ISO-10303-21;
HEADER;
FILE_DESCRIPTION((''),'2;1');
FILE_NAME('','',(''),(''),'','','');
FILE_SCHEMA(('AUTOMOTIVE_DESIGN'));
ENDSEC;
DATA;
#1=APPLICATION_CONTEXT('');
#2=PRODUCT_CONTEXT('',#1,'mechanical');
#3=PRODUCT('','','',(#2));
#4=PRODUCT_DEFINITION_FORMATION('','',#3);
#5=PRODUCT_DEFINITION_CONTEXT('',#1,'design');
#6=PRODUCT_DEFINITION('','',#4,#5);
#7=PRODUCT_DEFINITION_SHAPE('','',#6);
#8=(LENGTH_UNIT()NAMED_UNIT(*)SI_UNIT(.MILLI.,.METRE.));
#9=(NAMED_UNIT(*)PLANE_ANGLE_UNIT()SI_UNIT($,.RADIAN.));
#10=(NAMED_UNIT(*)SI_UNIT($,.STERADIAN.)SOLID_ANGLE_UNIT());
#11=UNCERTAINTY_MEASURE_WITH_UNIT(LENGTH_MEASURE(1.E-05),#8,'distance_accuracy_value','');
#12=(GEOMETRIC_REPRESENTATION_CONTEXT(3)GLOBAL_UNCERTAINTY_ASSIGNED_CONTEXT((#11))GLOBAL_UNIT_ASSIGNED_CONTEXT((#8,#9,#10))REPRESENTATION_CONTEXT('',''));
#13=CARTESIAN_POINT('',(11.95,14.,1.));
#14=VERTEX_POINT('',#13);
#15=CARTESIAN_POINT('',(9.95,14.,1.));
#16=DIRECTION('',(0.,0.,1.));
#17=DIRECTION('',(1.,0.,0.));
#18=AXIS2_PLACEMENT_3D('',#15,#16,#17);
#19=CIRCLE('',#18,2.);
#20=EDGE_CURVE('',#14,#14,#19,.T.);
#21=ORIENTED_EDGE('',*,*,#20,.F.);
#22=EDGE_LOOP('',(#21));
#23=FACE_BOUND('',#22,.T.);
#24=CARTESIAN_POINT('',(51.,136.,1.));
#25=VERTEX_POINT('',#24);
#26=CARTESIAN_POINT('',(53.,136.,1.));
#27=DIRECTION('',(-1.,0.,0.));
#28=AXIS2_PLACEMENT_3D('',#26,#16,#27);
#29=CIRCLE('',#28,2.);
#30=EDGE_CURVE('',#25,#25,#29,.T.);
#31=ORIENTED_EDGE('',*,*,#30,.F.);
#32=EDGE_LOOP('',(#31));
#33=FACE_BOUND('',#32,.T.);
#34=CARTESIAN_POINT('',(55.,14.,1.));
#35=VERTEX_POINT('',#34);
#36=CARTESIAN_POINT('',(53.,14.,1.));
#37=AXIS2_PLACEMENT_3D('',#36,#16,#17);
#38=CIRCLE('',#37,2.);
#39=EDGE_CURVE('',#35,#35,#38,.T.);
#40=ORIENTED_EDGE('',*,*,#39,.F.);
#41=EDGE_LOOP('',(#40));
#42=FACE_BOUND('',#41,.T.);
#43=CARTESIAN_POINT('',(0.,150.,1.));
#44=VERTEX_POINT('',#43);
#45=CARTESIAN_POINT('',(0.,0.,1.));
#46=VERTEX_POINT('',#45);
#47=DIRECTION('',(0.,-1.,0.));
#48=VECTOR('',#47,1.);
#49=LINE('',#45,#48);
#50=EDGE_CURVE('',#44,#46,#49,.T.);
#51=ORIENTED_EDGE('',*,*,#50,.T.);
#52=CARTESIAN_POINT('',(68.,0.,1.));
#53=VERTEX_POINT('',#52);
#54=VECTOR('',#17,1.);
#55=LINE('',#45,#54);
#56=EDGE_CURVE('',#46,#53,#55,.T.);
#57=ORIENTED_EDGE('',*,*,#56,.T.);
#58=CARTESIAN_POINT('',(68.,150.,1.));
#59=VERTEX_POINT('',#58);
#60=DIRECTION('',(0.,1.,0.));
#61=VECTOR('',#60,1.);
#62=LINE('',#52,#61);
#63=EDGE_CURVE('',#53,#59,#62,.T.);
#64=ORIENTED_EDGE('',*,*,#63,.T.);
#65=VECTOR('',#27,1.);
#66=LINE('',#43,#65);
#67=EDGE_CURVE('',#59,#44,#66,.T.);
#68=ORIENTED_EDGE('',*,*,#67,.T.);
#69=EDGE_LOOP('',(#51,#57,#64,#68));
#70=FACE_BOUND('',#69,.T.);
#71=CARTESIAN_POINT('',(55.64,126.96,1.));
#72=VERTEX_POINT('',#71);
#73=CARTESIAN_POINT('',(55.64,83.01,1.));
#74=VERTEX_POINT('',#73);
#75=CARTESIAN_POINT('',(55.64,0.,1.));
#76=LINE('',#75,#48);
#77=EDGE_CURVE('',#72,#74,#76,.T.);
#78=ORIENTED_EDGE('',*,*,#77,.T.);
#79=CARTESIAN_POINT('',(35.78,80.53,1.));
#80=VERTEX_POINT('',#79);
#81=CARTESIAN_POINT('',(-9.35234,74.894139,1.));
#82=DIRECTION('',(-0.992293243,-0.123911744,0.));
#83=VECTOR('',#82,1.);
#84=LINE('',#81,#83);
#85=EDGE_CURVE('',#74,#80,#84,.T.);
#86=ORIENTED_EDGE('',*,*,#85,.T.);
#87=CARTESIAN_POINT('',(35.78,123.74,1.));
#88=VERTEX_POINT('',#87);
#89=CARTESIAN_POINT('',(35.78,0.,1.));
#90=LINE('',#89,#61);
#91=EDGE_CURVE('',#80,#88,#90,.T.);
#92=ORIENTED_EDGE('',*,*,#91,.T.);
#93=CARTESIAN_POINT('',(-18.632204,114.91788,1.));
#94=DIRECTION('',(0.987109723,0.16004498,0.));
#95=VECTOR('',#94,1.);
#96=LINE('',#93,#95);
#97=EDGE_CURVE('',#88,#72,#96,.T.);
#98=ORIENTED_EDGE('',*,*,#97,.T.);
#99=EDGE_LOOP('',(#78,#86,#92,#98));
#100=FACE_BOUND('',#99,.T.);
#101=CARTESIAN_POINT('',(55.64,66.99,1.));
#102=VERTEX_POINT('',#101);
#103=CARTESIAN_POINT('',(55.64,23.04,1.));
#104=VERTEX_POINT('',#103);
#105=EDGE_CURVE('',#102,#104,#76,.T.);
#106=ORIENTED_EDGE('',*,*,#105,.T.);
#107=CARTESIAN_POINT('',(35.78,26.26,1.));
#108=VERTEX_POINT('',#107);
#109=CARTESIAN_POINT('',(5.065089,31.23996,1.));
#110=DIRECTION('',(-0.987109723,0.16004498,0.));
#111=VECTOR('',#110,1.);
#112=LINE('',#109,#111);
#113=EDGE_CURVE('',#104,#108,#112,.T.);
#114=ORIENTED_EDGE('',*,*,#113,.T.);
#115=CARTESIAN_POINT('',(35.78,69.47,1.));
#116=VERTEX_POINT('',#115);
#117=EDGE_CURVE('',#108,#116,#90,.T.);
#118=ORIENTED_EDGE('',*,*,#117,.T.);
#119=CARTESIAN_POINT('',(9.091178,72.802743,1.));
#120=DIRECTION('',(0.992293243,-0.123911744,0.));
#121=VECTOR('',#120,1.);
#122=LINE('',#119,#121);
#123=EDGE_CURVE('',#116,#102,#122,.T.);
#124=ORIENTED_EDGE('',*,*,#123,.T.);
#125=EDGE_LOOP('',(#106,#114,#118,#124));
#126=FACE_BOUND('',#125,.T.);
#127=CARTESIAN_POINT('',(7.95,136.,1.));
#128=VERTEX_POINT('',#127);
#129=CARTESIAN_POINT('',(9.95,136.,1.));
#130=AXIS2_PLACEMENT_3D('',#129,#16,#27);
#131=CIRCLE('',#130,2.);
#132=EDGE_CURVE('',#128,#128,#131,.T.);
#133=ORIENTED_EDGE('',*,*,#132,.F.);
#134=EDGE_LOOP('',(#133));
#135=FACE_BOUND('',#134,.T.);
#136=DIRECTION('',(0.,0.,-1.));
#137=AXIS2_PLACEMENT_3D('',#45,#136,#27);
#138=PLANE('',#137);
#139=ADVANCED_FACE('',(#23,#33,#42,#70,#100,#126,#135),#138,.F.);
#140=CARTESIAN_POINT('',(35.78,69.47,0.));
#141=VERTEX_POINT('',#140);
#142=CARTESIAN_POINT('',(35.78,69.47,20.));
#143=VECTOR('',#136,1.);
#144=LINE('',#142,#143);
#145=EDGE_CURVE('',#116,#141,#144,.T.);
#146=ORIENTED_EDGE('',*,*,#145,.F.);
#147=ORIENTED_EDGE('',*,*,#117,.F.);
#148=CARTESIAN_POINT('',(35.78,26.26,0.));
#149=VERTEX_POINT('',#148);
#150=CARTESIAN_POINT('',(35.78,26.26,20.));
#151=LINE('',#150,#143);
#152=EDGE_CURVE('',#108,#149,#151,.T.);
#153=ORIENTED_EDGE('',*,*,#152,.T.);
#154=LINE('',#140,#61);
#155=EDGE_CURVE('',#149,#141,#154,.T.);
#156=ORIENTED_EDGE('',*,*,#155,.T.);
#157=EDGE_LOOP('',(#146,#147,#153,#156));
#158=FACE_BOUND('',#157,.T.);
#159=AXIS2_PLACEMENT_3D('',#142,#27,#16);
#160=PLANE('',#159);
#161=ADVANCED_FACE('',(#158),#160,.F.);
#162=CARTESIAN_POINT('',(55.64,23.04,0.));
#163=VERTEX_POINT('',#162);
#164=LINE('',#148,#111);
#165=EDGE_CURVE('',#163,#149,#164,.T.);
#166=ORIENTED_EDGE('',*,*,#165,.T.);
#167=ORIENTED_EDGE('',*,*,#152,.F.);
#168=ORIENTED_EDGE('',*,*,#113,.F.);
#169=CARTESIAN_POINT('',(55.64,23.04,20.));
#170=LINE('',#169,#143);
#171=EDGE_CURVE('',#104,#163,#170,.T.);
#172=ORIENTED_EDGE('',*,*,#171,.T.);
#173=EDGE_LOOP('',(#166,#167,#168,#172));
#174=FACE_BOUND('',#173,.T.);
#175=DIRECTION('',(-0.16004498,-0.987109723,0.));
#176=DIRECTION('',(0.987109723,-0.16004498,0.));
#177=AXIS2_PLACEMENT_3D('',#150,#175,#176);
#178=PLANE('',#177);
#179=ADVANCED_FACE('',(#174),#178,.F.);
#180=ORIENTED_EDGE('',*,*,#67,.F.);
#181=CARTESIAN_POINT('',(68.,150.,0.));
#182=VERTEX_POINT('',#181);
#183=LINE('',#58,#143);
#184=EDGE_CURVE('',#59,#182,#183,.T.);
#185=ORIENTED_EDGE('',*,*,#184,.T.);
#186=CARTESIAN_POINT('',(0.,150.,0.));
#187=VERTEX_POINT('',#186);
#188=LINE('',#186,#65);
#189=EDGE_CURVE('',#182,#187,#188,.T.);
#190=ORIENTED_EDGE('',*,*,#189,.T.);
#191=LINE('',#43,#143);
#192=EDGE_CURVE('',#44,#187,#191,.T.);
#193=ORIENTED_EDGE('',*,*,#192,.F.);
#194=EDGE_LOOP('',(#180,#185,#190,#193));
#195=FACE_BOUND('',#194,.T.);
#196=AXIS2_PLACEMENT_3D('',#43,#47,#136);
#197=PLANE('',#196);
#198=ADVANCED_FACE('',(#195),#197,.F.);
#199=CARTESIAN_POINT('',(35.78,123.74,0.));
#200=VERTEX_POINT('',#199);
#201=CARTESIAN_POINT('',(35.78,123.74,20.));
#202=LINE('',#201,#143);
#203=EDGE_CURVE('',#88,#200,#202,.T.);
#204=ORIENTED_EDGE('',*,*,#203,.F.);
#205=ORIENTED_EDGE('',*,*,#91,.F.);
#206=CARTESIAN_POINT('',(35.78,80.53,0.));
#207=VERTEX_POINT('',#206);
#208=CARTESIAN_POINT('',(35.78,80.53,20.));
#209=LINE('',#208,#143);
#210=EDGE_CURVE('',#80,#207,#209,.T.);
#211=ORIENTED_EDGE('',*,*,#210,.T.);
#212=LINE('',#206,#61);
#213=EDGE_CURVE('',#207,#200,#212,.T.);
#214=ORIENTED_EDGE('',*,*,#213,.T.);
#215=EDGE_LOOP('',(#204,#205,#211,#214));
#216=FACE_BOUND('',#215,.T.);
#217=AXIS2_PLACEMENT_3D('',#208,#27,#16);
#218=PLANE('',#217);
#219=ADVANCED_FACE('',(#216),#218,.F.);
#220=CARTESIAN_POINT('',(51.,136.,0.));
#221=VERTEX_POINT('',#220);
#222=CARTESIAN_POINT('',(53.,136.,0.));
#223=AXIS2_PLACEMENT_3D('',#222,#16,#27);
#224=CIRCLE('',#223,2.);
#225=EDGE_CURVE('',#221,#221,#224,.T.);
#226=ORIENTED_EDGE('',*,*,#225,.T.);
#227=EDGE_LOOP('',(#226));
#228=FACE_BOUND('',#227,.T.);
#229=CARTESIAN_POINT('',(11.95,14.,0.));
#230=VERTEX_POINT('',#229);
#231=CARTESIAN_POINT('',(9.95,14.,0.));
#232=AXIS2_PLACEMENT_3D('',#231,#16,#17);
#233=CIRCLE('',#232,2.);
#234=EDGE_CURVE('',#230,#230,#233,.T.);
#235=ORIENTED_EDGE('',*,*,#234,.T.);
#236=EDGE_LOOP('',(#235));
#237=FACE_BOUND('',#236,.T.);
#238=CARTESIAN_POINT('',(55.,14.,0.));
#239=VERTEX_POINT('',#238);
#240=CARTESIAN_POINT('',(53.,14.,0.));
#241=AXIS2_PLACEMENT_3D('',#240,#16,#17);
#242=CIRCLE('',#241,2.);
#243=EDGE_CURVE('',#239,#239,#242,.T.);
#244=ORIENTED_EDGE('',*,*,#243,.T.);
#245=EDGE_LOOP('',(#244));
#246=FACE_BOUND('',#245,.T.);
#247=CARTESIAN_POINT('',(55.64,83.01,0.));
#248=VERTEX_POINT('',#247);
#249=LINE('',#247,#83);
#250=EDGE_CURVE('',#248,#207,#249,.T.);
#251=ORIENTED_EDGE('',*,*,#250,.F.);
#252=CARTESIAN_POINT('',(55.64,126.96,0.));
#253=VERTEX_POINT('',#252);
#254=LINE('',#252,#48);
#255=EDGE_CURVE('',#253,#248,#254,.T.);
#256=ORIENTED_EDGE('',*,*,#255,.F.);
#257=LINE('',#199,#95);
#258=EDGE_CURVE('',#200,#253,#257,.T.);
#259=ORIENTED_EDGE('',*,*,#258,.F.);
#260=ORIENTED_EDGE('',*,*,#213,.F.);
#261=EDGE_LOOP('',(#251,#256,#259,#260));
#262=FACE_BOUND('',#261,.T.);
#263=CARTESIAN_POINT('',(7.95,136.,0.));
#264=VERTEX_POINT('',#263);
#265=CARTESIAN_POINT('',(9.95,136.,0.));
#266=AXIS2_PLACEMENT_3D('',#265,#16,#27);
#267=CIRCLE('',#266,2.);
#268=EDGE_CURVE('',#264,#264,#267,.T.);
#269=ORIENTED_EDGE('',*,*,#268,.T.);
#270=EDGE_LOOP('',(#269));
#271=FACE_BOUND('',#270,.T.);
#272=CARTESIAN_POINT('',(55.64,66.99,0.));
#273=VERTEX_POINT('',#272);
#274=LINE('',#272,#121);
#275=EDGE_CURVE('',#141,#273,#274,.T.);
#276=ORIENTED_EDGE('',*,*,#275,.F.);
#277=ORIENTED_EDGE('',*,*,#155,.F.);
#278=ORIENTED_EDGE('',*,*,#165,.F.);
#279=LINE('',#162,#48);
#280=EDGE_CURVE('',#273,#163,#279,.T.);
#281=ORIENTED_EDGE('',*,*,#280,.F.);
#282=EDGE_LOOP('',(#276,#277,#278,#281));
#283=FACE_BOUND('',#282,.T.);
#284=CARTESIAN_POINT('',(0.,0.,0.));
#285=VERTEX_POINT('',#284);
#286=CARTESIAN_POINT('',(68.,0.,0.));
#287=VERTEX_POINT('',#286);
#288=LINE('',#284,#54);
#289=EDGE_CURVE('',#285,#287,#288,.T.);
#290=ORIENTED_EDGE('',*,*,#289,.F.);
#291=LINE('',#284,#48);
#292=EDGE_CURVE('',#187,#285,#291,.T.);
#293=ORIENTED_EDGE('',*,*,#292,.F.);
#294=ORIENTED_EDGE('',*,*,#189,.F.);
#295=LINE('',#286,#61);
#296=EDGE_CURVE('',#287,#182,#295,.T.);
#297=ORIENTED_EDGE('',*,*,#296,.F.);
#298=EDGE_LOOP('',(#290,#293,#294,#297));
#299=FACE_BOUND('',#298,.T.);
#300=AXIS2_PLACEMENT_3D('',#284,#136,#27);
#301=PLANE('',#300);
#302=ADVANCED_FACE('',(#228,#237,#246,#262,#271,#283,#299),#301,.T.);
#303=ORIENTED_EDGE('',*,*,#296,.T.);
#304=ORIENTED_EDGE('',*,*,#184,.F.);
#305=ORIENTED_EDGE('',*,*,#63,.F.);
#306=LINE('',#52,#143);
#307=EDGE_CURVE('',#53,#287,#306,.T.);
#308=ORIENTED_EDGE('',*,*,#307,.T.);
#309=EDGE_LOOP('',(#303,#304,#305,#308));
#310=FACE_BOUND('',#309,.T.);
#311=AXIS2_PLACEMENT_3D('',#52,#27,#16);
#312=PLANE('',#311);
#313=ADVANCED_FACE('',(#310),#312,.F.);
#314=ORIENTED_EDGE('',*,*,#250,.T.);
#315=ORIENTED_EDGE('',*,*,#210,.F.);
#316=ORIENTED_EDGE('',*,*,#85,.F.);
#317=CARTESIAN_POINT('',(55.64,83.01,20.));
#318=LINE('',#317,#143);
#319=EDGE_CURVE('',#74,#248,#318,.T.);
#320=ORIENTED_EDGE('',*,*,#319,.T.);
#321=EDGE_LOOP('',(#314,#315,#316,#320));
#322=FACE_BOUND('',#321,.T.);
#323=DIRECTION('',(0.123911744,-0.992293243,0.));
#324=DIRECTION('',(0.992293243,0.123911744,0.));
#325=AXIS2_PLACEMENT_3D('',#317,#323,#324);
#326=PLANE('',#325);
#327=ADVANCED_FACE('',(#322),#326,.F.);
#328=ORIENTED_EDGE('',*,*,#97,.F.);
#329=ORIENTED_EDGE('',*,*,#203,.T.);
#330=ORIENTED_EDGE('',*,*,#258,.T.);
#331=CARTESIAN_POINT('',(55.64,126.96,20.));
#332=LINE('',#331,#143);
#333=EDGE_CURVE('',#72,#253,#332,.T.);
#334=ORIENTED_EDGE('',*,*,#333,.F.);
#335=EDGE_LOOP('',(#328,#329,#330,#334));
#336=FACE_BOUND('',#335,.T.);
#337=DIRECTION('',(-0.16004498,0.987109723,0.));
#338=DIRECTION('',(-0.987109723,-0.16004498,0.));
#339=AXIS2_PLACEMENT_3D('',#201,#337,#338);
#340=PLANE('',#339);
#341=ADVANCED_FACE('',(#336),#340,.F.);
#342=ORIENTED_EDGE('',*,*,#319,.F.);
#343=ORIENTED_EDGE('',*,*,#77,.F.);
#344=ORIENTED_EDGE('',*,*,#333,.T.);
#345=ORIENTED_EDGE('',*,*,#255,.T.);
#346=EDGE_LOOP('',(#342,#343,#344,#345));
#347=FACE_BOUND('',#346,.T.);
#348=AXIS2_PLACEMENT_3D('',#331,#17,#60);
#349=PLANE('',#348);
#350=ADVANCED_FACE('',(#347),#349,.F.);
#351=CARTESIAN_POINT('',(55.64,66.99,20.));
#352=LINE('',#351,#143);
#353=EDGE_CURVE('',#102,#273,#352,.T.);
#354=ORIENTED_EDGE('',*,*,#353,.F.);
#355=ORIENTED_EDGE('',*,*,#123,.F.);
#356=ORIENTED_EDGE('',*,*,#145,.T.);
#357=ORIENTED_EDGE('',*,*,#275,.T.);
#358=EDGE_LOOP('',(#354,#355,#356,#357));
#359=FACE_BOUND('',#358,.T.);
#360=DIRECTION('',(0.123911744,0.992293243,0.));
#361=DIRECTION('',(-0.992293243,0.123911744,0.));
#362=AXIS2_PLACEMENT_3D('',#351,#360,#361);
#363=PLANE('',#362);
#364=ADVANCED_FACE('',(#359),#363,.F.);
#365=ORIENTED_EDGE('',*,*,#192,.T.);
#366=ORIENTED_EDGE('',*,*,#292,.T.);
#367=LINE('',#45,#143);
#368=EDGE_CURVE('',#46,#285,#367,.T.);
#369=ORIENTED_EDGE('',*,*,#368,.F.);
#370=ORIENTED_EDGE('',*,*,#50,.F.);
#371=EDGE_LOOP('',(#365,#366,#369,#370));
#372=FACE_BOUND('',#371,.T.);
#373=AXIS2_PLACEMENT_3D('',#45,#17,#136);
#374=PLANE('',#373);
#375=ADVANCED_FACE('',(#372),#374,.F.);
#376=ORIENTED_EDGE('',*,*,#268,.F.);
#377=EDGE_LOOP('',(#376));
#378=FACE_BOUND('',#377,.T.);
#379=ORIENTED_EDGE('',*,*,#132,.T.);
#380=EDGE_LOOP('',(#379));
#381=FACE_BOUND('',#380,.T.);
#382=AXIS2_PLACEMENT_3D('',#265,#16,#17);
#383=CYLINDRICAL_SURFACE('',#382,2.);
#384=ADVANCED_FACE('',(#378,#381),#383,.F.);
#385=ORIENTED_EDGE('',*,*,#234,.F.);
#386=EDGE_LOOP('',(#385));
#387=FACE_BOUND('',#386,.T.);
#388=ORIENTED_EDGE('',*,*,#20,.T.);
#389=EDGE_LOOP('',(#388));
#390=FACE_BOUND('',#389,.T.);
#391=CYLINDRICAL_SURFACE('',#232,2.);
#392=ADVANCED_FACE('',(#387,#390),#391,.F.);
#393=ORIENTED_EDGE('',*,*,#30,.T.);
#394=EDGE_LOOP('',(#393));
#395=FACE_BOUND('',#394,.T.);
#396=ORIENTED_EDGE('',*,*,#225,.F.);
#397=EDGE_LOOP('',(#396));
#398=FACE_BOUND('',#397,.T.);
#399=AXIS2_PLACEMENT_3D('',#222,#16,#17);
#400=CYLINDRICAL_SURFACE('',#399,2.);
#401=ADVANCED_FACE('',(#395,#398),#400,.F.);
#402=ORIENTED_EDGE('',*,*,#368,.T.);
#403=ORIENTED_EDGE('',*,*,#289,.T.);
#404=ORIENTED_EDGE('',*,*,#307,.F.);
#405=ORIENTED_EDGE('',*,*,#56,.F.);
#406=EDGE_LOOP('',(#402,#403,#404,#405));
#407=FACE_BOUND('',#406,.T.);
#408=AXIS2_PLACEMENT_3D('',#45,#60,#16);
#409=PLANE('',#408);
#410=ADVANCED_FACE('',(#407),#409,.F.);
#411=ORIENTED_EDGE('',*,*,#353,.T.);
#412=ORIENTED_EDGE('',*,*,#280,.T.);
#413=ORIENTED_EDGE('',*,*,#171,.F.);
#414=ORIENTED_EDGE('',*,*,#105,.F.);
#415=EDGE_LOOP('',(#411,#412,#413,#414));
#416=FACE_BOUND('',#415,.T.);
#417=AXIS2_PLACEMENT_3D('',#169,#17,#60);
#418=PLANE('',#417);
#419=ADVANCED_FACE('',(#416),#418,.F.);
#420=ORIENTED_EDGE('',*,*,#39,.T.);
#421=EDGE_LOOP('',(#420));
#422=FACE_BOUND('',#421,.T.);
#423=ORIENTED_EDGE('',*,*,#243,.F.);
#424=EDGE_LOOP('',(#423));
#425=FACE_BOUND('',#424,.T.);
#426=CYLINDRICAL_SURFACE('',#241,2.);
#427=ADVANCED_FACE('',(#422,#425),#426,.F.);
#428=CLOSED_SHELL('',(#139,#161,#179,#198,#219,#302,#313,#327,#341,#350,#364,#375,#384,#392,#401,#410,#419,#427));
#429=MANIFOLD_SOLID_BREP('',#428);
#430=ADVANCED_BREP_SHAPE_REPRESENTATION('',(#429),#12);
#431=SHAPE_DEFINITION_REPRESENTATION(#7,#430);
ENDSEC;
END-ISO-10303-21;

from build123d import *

# Parameters (mm, degrees)
SKETCH1_W           = 68
SKETCH1_H           = 150
BOSS_EXTRUDE1_DEPTH = 1
SKETCH2_R           = 2
CUT_EXTRUDE1_DEPTH  = 1
CUT_EXTRUDE2_DEPTH  = 20


with BuildPart() as part:
    # Sketch1 → Boss-Extrude1 (new body)
    with BuildSketch(Plane.XY):
        with Locations((34, 75)):
            Rectangle(SKETCH1_W, SKETCH1_H)
    extrude(amount=BOSS_EXTRUDE1_DEPTH)

    # Sketch2 → Cut-Extrude1 (cut)
    with BuildSketch(Plane.XY.offset(1)):
        with Locations((9.95, 14)):
            Circle(SKETCH2_R)
        with Locations((53, 14)):
            Circle(SKETCH2_R)
        with Locations(Location((53, 136, 0), (0, 0, 180))):
            Circle(SKETCH2_R)
        with Locations(Location((9.95, 136, 0), (0, 0, 180))):
            Circle(SKETCH2_R)
    extrude(amount=-CUT_EXTRUDE1_DEPTH, mode=Mode.SUBTRACT)

    # Sketch3 → Cut-Extrude2 (cut)
    with BuildSketch(Plane(origin=(0, 0, 0), x_dir=(-1, 0, 0), z_dir=(0, 0, -1))):
        Polygon((-35.78, 80.53), (-35.78, 123.74), (-55.64, 126.96), (-55.64, 83.01), align=None)
        Polygon((-55.64, 66.99), (-35.78, 69.47), (-35.78, 26.26), (-55.64, 23.04), align=None)
    extrude(amount=-CUT_EXTRUDE2_DEPTH, mode=Mode.SUBTRACT)


solid = part.part
